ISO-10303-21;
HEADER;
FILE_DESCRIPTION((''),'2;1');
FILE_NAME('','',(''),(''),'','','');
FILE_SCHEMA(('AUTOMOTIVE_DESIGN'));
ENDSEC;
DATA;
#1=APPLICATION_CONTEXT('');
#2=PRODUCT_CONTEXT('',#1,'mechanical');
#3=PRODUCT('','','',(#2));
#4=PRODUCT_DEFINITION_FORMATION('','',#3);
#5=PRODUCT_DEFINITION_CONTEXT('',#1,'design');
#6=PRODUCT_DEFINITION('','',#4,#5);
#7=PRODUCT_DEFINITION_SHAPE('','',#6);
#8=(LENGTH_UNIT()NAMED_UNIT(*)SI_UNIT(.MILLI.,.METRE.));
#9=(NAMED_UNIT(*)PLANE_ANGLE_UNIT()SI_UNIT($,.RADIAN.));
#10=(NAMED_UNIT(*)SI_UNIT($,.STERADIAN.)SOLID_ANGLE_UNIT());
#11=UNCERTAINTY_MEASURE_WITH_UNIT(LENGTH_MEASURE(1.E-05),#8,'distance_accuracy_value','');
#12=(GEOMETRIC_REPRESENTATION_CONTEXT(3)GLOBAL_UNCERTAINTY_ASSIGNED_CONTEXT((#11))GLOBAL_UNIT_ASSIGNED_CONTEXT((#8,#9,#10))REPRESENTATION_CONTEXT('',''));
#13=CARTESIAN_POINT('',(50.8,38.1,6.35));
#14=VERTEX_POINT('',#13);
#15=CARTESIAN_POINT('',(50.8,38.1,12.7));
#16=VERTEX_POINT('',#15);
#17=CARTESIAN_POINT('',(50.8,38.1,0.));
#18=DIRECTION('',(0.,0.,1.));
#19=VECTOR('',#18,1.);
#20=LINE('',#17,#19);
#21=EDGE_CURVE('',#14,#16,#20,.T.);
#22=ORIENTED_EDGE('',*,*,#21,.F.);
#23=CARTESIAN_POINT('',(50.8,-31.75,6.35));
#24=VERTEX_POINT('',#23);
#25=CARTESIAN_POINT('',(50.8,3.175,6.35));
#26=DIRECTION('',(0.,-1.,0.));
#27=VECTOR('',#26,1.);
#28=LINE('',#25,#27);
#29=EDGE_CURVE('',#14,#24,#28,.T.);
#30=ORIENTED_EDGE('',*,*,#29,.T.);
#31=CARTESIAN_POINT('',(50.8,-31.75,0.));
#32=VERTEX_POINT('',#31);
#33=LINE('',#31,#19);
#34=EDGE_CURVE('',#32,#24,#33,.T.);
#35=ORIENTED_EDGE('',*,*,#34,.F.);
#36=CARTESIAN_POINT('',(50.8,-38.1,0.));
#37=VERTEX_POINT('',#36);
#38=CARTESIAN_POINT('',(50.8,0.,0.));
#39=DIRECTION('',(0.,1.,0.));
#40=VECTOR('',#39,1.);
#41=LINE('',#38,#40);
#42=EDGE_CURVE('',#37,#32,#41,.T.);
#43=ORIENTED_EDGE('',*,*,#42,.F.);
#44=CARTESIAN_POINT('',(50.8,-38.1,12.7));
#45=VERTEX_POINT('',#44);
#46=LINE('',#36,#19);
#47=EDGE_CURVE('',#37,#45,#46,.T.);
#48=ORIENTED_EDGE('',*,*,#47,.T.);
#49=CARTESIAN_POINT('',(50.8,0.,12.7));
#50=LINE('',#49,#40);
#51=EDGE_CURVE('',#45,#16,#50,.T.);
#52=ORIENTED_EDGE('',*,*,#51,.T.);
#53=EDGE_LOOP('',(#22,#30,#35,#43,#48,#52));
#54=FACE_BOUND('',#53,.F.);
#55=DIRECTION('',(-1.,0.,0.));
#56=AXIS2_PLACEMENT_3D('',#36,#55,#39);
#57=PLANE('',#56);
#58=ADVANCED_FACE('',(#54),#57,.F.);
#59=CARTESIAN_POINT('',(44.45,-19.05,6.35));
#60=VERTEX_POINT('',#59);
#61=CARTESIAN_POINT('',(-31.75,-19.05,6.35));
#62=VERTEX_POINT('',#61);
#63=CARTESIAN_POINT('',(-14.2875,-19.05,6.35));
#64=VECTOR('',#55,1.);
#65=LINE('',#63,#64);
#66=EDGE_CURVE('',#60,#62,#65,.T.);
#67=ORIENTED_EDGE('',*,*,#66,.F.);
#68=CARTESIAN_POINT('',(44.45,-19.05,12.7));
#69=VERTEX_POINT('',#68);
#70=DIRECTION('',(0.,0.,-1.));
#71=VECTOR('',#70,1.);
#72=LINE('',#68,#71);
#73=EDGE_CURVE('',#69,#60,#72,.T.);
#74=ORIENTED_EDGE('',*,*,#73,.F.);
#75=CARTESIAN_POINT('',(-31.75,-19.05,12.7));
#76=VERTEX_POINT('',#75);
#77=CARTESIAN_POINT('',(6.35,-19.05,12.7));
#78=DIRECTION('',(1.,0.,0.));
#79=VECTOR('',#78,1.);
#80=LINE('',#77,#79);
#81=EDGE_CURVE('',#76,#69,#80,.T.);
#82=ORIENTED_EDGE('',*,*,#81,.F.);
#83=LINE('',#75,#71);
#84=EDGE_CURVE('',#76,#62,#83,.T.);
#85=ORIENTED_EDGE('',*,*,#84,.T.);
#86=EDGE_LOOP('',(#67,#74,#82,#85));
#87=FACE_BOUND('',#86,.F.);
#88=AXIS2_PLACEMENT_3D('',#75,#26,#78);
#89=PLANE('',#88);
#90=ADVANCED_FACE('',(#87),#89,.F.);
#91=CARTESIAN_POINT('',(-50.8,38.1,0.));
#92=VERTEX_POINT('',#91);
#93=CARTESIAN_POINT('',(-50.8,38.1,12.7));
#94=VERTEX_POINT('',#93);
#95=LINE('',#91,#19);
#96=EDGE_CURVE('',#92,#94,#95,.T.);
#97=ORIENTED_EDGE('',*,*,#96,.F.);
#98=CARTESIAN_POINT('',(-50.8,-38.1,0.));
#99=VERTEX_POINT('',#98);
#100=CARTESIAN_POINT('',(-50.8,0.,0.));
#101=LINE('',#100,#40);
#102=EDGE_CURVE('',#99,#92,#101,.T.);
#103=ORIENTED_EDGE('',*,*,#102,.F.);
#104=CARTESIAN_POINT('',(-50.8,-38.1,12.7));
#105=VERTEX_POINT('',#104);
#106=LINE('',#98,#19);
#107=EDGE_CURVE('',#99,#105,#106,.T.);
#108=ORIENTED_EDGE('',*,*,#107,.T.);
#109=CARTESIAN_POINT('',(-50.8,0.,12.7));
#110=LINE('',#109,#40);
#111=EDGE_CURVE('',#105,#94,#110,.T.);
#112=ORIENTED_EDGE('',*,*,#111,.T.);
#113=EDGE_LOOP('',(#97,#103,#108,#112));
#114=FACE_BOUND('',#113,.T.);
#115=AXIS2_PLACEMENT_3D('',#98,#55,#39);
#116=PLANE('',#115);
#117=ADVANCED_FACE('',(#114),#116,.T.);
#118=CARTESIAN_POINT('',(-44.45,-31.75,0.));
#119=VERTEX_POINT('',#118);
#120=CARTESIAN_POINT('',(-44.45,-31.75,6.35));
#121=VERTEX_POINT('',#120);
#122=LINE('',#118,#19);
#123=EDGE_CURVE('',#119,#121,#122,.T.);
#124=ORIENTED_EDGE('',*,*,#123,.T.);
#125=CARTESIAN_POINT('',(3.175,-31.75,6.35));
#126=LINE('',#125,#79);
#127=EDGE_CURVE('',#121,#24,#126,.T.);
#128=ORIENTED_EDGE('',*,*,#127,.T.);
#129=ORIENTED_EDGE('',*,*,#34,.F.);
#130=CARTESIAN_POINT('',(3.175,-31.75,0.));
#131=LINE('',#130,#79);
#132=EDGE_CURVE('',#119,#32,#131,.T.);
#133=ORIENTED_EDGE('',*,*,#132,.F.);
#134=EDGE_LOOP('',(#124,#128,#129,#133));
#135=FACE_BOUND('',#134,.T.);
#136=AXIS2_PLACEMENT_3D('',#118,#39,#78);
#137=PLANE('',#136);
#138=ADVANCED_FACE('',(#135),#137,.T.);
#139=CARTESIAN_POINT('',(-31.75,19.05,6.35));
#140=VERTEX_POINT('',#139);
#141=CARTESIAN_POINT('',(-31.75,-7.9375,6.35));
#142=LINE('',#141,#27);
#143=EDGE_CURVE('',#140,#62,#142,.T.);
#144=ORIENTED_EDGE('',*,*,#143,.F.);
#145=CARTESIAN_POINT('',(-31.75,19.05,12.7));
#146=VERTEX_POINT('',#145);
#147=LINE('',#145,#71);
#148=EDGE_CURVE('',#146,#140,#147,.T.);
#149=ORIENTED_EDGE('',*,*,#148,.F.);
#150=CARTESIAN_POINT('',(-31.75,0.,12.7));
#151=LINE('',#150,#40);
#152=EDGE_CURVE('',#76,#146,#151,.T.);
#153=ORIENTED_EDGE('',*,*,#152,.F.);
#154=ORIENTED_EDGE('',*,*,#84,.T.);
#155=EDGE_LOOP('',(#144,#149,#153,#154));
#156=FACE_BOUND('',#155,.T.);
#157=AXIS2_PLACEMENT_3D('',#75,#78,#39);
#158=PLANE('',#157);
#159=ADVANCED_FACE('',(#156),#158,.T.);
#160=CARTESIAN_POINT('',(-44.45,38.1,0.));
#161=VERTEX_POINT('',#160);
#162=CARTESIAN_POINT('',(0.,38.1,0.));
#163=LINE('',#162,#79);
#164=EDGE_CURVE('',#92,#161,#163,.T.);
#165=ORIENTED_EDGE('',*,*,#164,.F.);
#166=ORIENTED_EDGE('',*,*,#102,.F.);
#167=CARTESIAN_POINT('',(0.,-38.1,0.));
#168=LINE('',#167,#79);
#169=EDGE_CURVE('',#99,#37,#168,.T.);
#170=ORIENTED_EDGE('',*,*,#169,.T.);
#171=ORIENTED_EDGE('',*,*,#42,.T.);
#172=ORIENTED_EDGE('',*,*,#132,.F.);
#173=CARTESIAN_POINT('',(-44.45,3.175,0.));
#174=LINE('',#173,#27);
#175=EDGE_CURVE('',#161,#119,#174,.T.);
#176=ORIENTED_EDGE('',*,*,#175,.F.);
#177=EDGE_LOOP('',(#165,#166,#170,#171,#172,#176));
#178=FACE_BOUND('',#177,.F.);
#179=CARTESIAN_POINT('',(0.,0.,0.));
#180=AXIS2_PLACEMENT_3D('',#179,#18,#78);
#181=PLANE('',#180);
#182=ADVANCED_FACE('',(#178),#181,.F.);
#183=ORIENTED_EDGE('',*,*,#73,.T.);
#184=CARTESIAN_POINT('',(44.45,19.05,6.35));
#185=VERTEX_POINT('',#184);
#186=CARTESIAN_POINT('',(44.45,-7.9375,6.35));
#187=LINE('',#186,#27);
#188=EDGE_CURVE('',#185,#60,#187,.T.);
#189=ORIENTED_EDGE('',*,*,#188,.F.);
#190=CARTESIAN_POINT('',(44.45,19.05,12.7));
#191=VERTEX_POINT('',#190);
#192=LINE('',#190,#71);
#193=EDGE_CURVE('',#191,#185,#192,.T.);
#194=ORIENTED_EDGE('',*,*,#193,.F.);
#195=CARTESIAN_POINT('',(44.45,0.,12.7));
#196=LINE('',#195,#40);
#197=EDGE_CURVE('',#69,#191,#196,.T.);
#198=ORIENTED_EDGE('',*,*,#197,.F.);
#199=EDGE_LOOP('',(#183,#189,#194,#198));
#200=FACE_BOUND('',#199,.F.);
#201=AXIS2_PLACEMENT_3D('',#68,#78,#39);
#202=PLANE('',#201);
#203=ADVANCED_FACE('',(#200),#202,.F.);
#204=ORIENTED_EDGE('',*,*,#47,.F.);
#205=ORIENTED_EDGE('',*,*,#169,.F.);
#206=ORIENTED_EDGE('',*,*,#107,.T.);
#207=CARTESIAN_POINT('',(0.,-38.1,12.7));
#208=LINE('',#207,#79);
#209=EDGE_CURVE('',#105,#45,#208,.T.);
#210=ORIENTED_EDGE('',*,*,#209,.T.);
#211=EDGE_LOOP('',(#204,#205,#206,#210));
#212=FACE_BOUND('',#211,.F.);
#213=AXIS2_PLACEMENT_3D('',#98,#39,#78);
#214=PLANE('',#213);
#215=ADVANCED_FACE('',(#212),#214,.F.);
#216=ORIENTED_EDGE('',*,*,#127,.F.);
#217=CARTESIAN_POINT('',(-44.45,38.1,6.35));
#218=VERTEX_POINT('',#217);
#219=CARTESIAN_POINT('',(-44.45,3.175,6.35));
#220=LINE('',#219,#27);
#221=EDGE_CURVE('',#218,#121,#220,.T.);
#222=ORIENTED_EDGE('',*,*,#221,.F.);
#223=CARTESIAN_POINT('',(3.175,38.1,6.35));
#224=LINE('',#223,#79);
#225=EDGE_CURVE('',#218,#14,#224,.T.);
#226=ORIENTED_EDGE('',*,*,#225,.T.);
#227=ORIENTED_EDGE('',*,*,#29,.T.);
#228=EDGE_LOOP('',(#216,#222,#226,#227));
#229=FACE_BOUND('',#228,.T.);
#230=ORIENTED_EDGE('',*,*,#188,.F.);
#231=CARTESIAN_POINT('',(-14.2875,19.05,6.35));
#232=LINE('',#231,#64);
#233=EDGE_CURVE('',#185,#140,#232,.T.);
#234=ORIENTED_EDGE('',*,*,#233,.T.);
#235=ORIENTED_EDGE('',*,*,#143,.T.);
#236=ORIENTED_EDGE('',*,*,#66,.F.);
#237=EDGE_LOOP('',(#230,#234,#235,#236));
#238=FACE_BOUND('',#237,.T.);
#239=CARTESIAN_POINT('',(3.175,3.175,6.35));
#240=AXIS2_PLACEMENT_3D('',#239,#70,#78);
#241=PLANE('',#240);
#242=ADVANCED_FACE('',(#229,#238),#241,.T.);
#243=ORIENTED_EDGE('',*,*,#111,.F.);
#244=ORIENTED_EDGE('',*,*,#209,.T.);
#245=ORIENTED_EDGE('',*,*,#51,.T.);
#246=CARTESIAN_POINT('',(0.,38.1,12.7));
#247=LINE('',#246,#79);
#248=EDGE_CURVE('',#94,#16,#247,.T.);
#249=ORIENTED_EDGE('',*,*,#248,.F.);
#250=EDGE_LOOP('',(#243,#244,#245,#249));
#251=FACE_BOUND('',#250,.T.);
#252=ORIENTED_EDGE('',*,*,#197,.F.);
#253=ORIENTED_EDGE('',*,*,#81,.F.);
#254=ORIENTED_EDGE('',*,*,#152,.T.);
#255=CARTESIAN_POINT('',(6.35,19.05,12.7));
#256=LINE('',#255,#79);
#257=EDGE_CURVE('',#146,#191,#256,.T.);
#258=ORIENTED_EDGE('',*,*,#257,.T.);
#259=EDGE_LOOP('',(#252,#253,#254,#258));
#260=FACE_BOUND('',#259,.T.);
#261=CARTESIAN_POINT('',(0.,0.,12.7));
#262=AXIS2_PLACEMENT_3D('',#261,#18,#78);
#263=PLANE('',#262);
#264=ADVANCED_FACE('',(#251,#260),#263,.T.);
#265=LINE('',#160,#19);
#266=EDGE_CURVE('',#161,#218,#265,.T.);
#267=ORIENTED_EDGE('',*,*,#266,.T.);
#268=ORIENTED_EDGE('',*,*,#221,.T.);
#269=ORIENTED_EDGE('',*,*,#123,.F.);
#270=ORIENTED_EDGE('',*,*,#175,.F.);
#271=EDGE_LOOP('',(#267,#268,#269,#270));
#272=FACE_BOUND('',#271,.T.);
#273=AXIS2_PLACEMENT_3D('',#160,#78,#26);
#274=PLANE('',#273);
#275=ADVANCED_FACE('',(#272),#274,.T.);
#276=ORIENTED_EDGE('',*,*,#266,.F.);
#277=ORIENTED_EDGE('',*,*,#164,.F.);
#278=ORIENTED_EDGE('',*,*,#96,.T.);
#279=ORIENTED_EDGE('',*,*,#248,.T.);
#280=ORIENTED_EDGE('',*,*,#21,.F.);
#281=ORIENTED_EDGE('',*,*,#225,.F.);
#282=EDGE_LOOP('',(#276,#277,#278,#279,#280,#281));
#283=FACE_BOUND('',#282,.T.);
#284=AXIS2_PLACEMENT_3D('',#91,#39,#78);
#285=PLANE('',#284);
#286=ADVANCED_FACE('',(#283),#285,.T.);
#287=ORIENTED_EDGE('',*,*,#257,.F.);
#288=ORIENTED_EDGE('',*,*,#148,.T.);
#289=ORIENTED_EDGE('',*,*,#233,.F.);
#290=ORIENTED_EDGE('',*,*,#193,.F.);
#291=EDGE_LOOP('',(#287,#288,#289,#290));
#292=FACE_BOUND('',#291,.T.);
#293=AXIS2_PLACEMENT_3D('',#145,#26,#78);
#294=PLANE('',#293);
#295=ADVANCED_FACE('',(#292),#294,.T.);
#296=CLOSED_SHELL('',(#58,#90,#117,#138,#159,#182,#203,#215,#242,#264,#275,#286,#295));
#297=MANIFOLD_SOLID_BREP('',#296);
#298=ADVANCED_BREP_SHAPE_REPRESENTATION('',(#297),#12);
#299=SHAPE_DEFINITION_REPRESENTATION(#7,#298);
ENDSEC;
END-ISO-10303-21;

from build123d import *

# Parameters (mm, degrees)
F0_W     = 101.6
F0_H     = 76.2
F1_DEPTH = 12.7
F2_W     = 95.25
F2_H     = 69.85
F3_DEPTH = 6.35
F4_W     = 76.2
F4_H     = 38.1
F5_DEPTH = 25.4


with BuildPart() as f1:
    # F0 (on Top) → F1 (new body)
    with BuildSketch(Plane.XY):
        Rectangle(F0_W, F0_H)
    extrude(amount=F1_DEPTH)

    # F2 (on face) → F3 (cut)
    with BuildSketch(Plane(origin=(0, 0, 0), x_dir=(1, 0, 0), z_dir=(0, 0, -1))):
        with Locations((3.175, -3.175)):
            Rectangle(F2_W, F2_H)
    extrude(amount=-F3_DEPTH, mode=Mode.SUBTRACT)

    # F4 (on face) → F5 (cut)
    with BuildSketch(Plane.XY.offset(12.7)):
        with Locations((6.35, 0)):
            Rectangle(F4_W, F4_H)
    extrude(amount=-F5_DEPTH, mode=Mode.SUBTRACT)


solid = f1.part
